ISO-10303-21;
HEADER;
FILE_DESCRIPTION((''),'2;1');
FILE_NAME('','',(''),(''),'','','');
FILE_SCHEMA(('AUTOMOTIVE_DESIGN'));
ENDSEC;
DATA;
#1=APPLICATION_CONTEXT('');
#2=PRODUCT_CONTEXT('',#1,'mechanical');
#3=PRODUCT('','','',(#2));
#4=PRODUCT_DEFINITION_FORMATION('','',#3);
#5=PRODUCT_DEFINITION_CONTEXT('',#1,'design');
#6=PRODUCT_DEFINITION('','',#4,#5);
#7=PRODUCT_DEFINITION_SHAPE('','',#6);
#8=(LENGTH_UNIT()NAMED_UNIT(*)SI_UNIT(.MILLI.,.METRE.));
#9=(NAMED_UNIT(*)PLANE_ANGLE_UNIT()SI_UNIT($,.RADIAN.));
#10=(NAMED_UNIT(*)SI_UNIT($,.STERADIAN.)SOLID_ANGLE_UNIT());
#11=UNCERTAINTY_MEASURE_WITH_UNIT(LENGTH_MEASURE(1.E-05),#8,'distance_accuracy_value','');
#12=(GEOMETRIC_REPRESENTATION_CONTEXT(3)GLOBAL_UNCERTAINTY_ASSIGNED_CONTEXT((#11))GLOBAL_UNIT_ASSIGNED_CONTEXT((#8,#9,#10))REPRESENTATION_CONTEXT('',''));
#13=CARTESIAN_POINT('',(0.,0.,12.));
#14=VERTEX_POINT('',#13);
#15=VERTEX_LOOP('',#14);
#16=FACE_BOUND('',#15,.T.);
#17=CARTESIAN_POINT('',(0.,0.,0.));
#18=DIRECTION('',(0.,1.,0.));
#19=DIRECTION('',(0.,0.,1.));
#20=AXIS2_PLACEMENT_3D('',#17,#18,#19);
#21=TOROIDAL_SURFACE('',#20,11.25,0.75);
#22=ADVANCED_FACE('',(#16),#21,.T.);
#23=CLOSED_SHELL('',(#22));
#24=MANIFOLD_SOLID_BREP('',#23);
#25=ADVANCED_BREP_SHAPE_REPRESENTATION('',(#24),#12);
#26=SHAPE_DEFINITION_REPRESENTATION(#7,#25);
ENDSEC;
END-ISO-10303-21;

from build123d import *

# Parameters (mm, degrees)
SKETCH1_R = 0.75


with BuildPart() as part:
    # Sketch1 → Revolve1 (revolve)
    with BuildSketch(Plane.XY):
        with Locations((11.25, 0)):
            Circle(SKETCH1_R)
    revolve(axis=Axis((0, 6.978278679, 0), (0, -1, 0)))


solid = part.part
